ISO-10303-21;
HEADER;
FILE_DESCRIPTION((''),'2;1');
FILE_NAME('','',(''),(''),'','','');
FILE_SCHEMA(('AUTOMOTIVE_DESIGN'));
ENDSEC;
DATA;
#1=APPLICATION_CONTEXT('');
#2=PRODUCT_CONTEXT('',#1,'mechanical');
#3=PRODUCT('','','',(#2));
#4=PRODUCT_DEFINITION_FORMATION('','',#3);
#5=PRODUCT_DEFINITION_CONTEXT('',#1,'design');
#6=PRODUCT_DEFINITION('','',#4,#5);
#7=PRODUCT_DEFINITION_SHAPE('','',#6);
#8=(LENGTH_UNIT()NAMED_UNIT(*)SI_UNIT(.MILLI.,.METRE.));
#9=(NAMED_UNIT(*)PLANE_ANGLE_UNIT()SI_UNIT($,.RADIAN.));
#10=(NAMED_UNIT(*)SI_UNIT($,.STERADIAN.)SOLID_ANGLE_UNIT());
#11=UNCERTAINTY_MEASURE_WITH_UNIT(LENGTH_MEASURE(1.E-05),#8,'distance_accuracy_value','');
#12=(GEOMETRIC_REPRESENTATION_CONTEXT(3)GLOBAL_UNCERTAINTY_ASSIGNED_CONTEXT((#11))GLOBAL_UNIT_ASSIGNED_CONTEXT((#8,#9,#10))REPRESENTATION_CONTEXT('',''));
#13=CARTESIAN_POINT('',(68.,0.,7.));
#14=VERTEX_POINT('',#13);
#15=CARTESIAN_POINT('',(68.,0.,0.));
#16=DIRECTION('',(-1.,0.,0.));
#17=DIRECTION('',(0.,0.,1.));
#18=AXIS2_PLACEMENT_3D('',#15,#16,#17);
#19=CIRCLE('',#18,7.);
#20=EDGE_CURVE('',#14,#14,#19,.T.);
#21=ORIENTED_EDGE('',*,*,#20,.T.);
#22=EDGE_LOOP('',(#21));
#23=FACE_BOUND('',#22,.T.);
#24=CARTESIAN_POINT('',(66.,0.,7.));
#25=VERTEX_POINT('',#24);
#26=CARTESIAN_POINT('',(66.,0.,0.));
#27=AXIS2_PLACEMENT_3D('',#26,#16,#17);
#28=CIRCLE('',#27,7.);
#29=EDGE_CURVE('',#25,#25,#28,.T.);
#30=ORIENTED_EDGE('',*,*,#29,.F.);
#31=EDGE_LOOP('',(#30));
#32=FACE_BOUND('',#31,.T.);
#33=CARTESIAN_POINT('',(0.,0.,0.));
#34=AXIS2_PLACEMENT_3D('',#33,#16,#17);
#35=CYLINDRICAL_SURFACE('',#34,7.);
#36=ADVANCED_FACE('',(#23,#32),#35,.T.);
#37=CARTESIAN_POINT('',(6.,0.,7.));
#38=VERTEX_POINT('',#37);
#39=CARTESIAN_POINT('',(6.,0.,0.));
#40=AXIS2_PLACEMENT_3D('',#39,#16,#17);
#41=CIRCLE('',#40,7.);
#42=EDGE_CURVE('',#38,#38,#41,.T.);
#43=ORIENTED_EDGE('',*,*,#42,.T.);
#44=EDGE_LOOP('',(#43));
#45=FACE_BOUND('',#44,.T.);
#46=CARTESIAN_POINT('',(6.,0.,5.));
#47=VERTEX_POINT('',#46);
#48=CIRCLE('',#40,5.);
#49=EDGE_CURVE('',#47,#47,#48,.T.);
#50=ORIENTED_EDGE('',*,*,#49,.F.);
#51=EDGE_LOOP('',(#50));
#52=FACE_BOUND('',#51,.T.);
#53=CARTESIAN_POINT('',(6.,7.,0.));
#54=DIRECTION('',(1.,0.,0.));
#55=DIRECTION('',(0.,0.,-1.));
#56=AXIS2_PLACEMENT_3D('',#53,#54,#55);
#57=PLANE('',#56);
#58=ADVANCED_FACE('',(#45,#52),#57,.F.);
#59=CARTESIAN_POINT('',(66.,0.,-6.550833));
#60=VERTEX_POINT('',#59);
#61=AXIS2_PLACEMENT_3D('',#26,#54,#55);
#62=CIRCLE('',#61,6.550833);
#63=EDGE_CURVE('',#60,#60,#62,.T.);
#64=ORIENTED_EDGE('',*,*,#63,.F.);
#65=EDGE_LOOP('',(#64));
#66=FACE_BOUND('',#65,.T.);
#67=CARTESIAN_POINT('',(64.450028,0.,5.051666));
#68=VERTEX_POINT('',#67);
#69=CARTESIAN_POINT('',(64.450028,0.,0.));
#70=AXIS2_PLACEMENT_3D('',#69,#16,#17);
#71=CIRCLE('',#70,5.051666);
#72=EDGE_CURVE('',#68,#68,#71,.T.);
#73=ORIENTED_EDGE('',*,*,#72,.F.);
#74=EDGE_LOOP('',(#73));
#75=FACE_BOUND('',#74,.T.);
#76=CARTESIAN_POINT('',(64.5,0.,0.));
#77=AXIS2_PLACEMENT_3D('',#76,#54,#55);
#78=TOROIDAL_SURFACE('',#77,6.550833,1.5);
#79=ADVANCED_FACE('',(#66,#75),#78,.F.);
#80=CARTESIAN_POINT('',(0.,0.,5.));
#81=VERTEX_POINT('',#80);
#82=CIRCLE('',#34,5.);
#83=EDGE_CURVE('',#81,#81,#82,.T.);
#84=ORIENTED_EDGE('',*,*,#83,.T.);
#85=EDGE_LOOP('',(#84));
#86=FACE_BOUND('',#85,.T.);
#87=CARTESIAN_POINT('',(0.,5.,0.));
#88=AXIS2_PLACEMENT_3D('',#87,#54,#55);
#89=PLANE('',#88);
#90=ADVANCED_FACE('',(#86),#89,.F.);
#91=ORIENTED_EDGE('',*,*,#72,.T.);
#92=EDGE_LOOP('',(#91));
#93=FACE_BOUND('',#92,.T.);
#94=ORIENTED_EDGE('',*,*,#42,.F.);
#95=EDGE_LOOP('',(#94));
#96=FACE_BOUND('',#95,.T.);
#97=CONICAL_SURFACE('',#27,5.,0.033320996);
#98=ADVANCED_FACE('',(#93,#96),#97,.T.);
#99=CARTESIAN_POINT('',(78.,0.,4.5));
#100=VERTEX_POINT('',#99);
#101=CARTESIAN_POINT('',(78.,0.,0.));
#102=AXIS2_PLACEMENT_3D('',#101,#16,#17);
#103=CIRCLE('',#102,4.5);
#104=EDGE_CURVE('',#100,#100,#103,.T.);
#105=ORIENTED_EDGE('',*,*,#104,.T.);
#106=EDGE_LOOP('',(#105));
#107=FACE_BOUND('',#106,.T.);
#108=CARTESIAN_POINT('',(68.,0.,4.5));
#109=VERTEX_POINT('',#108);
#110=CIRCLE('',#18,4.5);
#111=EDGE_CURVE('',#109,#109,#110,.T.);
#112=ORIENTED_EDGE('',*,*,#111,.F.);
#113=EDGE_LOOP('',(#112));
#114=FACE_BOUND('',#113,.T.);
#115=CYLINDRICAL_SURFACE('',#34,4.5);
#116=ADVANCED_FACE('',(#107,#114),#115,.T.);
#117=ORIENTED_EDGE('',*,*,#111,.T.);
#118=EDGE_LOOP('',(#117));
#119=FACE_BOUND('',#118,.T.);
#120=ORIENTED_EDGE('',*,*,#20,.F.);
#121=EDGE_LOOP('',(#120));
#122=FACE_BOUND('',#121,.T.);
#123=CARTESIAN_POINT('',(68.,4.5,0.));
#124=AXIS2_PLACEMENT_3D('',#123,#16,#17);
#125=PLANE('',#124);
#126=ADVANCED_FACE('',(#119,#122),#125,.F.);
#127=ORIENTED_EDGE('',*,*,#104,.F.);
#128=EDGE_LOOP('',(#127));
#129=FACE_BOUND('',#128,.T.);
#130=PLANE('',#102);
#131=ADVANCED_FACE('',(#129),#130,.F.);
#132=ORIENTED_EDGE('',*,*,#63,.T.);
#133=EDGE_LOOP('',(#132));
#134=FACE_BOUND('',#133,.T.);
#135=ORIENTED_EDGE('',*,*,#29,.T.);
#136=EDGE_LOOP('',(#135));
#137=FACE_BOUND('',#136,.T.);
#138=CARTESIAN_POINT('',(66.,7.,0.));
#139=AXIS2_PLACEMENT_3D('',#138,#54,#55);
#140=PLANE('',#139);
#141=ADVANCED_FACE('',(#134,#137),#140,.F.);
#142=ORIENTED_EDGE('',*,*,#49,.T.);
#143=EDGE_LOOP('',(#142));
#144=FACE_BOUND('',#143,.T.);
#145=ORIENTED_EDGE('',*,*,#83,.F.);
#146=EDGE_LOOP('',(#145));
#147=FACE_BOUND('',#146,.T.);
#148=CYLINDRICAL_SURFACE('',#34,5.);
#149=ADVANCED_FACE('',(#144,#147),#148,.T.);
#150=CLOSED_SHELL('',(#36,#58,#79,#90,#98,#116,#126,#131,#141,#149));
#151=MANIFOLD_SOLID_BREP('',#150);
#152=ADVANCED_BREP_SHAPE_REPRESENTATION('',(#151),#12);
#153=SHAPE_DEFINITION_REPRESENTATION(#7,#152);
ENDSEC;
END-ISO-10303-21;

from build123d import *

# Parameters (mm, degrees)
FILLET1_R = 1.5


with BuildPart() as part:
    # Sketch1 → Revolve1 (revolve)
    with BuildSketch(Plane.XY):
        Polygon((0, 0), (78, 0), (78, 4.5), (68, 4.5), (68, 7), (66, 7), (66, 5), (6, 7), (6, 5), (0, 5), align=None)
    revolve(axis=Axis((0, 0, 0), (1, 0, 0)))

    # Fillet1
    fillet1_edges = [part.edges().sort_by_distance(p)[0] for p in [
        (66, -5, 0),
    ]]
    fillet(fillet1_edges, radius=FILLET1_R)


solid = part.part
